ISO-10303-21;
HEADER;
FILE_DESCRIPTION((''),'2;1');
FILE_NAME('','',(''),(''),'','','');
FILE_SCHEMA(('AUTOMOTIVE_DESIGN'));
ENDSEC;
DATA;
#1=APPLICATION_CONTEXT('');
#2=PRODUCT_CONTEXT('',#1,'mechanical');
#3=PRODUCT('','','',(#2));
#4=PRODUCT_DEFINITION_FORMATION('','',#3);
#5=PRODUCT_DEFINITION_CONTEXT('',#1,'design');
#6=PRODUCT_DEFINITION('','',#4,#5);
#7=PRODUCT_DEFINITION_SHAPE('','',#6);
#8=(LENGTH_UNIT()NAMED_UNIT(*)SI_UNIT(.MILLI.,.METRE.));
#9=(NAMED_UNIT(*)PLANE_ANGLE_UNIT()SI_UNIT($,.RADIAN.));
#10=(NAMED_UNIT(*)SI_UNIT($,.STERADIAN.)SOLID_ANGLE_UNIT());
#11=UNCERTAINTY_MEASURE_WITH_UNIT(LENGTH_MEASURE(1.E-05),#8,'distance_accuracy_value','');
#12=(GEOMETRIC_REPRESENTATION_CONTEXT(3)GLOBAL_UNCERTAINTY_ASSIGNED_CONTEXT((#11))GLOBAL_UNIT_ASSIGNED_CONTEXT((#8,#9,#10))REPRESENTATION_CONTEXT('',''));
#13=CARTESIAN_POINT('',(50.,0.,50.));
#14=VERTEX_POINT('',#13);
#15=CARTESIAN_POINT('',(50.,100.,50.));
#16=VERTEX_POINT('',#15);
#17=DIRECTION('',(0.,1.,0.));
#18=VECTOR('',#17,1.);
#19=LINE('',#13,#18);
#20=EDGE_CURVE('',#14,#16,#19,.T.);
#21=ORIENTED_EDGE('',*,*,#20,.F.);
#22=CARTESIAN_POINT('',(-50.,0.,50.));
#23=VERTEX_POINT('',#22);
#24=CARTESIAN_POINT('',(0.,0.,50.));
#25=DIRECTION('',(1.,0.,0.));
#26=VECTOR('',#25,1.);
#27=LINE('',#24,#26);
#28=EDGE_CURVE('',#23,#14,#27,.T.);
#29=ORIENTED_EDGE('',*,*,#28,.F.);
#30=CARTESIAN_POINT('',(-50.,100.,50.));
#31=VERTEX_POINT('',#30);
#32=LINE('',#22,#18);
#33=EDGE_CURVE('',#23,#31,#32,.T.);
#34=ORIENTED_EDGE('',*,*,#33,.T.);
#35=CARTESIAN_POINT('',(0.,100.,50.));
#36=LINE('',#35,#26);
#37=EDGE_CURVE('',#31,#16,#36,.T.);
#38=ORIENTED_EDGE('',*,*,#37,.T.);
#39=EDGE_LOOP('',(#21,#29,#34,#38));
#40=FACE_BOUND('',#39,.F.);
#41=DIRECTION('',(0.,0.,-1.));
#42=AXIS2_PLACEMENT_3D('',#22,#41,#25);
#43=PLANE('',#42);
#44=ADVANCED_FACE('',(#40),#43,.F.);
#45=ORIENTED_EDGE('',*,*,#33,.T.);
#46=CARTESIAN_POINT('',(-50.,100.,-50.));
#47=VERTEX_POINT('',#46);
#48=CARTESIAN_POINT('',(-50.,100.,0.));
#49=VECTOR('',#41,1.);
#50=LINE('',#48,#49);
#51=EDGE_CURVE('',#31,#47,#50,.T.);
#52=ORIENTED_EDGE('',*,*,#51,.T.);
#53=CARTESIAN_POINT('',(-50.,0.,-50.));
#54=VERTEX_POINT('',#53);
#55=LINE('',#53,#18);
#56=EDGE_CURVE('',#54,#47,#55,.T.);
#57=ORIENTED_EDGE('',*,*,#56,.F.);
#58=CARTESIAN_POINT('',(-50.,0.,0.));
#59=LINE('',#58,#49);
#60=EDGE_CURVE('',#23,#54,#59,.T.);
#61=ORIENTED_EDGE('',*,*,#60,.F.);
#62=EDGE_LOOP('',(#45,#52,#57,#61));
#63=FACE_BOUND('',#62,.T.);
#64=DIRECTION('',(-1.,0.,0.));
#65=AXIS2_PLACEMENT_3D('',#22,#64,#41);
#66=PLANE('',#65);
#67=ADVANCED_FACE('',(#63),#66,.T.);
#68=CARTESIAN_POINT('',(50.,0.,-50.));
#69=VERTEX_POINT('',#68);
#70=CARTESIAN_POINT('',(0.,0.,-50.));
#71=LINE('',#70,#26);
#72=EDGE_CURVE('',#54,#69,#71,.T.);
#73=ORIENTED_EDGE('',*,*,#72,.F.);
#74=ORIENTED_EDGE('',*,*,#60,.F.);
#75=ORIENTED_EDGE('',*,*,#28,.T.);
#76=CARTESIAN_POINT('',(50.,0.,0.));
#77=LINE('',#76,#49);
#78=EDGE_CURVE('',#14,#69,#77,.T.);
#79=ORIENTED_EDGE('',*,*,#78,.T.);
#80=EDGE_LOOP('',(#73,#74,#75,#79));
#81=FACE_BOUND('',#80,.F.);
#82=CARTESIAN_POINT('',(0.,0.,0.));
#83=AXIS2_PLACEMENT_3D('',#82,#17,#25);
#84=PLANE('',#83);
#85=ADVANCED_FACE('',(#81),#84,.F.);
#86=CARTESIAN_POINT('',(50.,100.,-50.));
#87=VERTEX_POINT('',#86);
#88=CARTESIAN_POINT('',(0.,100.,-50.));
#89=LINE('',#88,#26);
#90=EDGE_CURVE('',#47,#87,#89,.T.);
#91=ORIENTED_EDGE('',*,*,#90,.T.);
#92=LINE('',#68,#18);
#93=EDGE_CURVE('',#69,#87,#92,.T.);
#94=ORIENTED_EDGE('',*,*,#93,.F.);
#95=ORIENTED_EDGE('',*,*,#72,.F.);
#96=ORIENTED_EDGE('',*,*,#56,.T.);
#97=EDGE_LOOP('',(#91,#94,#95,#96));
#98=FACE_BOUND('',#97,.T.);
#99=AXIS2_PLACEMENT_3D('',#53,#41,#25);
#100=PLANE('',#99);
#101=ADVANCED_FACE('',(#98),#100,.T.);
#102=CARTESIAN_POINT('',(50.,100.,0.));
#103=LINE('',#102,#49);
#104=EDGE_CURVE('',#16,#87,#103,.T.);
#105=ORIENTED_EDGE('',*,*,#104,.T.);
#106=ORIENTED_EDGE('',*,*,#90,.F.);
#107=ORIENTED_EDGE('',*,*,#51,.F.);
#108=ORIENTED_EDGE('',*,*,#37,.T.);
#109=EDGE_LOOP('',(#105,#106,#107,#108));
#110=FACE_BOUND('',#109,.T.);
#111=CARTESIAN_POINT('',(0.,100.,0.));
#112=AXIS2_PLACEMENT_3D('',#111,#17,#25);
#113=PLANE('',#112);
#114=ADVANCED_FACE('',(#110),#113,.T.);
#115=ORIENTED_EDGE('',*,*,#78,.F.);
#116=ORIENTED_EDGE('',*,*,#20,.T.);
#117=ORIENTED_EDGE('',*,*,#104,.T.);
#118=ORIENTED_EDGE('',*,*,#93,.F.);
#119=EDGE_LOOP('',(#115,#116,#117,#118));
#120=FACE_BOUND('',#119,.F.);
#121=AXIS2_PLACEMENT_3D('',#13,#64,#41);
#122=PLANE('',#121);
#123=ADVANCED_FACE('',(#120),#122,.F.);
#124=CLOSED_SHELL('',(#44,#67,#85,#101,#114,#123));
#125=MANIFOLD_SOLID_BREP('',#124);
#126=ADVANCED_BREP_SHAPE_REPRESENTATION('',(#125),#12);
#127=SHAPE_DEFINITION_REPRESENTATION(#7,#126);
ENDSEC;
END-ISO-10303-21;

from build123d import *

# Parameters (mm, degrees)
SKETCH1_W           = 100
SKETCH1_H           = 100
BOSS_EXTRUDE1_DEPTH = 100


with BuildPart() as part:
    # Sketch1 → Boss-Extrude1 (new body)
    with BuildSketch(Plane(origin=(0, 0, 0), x_dir=(1, 0, 0), z_dir=(0, 1, 0))):
        Rectangle(SKETCH1_W, SKETCH1_H)
    extrude(amount=BOSS_EXTRUDE1_DEPTH)


solid = part.part
